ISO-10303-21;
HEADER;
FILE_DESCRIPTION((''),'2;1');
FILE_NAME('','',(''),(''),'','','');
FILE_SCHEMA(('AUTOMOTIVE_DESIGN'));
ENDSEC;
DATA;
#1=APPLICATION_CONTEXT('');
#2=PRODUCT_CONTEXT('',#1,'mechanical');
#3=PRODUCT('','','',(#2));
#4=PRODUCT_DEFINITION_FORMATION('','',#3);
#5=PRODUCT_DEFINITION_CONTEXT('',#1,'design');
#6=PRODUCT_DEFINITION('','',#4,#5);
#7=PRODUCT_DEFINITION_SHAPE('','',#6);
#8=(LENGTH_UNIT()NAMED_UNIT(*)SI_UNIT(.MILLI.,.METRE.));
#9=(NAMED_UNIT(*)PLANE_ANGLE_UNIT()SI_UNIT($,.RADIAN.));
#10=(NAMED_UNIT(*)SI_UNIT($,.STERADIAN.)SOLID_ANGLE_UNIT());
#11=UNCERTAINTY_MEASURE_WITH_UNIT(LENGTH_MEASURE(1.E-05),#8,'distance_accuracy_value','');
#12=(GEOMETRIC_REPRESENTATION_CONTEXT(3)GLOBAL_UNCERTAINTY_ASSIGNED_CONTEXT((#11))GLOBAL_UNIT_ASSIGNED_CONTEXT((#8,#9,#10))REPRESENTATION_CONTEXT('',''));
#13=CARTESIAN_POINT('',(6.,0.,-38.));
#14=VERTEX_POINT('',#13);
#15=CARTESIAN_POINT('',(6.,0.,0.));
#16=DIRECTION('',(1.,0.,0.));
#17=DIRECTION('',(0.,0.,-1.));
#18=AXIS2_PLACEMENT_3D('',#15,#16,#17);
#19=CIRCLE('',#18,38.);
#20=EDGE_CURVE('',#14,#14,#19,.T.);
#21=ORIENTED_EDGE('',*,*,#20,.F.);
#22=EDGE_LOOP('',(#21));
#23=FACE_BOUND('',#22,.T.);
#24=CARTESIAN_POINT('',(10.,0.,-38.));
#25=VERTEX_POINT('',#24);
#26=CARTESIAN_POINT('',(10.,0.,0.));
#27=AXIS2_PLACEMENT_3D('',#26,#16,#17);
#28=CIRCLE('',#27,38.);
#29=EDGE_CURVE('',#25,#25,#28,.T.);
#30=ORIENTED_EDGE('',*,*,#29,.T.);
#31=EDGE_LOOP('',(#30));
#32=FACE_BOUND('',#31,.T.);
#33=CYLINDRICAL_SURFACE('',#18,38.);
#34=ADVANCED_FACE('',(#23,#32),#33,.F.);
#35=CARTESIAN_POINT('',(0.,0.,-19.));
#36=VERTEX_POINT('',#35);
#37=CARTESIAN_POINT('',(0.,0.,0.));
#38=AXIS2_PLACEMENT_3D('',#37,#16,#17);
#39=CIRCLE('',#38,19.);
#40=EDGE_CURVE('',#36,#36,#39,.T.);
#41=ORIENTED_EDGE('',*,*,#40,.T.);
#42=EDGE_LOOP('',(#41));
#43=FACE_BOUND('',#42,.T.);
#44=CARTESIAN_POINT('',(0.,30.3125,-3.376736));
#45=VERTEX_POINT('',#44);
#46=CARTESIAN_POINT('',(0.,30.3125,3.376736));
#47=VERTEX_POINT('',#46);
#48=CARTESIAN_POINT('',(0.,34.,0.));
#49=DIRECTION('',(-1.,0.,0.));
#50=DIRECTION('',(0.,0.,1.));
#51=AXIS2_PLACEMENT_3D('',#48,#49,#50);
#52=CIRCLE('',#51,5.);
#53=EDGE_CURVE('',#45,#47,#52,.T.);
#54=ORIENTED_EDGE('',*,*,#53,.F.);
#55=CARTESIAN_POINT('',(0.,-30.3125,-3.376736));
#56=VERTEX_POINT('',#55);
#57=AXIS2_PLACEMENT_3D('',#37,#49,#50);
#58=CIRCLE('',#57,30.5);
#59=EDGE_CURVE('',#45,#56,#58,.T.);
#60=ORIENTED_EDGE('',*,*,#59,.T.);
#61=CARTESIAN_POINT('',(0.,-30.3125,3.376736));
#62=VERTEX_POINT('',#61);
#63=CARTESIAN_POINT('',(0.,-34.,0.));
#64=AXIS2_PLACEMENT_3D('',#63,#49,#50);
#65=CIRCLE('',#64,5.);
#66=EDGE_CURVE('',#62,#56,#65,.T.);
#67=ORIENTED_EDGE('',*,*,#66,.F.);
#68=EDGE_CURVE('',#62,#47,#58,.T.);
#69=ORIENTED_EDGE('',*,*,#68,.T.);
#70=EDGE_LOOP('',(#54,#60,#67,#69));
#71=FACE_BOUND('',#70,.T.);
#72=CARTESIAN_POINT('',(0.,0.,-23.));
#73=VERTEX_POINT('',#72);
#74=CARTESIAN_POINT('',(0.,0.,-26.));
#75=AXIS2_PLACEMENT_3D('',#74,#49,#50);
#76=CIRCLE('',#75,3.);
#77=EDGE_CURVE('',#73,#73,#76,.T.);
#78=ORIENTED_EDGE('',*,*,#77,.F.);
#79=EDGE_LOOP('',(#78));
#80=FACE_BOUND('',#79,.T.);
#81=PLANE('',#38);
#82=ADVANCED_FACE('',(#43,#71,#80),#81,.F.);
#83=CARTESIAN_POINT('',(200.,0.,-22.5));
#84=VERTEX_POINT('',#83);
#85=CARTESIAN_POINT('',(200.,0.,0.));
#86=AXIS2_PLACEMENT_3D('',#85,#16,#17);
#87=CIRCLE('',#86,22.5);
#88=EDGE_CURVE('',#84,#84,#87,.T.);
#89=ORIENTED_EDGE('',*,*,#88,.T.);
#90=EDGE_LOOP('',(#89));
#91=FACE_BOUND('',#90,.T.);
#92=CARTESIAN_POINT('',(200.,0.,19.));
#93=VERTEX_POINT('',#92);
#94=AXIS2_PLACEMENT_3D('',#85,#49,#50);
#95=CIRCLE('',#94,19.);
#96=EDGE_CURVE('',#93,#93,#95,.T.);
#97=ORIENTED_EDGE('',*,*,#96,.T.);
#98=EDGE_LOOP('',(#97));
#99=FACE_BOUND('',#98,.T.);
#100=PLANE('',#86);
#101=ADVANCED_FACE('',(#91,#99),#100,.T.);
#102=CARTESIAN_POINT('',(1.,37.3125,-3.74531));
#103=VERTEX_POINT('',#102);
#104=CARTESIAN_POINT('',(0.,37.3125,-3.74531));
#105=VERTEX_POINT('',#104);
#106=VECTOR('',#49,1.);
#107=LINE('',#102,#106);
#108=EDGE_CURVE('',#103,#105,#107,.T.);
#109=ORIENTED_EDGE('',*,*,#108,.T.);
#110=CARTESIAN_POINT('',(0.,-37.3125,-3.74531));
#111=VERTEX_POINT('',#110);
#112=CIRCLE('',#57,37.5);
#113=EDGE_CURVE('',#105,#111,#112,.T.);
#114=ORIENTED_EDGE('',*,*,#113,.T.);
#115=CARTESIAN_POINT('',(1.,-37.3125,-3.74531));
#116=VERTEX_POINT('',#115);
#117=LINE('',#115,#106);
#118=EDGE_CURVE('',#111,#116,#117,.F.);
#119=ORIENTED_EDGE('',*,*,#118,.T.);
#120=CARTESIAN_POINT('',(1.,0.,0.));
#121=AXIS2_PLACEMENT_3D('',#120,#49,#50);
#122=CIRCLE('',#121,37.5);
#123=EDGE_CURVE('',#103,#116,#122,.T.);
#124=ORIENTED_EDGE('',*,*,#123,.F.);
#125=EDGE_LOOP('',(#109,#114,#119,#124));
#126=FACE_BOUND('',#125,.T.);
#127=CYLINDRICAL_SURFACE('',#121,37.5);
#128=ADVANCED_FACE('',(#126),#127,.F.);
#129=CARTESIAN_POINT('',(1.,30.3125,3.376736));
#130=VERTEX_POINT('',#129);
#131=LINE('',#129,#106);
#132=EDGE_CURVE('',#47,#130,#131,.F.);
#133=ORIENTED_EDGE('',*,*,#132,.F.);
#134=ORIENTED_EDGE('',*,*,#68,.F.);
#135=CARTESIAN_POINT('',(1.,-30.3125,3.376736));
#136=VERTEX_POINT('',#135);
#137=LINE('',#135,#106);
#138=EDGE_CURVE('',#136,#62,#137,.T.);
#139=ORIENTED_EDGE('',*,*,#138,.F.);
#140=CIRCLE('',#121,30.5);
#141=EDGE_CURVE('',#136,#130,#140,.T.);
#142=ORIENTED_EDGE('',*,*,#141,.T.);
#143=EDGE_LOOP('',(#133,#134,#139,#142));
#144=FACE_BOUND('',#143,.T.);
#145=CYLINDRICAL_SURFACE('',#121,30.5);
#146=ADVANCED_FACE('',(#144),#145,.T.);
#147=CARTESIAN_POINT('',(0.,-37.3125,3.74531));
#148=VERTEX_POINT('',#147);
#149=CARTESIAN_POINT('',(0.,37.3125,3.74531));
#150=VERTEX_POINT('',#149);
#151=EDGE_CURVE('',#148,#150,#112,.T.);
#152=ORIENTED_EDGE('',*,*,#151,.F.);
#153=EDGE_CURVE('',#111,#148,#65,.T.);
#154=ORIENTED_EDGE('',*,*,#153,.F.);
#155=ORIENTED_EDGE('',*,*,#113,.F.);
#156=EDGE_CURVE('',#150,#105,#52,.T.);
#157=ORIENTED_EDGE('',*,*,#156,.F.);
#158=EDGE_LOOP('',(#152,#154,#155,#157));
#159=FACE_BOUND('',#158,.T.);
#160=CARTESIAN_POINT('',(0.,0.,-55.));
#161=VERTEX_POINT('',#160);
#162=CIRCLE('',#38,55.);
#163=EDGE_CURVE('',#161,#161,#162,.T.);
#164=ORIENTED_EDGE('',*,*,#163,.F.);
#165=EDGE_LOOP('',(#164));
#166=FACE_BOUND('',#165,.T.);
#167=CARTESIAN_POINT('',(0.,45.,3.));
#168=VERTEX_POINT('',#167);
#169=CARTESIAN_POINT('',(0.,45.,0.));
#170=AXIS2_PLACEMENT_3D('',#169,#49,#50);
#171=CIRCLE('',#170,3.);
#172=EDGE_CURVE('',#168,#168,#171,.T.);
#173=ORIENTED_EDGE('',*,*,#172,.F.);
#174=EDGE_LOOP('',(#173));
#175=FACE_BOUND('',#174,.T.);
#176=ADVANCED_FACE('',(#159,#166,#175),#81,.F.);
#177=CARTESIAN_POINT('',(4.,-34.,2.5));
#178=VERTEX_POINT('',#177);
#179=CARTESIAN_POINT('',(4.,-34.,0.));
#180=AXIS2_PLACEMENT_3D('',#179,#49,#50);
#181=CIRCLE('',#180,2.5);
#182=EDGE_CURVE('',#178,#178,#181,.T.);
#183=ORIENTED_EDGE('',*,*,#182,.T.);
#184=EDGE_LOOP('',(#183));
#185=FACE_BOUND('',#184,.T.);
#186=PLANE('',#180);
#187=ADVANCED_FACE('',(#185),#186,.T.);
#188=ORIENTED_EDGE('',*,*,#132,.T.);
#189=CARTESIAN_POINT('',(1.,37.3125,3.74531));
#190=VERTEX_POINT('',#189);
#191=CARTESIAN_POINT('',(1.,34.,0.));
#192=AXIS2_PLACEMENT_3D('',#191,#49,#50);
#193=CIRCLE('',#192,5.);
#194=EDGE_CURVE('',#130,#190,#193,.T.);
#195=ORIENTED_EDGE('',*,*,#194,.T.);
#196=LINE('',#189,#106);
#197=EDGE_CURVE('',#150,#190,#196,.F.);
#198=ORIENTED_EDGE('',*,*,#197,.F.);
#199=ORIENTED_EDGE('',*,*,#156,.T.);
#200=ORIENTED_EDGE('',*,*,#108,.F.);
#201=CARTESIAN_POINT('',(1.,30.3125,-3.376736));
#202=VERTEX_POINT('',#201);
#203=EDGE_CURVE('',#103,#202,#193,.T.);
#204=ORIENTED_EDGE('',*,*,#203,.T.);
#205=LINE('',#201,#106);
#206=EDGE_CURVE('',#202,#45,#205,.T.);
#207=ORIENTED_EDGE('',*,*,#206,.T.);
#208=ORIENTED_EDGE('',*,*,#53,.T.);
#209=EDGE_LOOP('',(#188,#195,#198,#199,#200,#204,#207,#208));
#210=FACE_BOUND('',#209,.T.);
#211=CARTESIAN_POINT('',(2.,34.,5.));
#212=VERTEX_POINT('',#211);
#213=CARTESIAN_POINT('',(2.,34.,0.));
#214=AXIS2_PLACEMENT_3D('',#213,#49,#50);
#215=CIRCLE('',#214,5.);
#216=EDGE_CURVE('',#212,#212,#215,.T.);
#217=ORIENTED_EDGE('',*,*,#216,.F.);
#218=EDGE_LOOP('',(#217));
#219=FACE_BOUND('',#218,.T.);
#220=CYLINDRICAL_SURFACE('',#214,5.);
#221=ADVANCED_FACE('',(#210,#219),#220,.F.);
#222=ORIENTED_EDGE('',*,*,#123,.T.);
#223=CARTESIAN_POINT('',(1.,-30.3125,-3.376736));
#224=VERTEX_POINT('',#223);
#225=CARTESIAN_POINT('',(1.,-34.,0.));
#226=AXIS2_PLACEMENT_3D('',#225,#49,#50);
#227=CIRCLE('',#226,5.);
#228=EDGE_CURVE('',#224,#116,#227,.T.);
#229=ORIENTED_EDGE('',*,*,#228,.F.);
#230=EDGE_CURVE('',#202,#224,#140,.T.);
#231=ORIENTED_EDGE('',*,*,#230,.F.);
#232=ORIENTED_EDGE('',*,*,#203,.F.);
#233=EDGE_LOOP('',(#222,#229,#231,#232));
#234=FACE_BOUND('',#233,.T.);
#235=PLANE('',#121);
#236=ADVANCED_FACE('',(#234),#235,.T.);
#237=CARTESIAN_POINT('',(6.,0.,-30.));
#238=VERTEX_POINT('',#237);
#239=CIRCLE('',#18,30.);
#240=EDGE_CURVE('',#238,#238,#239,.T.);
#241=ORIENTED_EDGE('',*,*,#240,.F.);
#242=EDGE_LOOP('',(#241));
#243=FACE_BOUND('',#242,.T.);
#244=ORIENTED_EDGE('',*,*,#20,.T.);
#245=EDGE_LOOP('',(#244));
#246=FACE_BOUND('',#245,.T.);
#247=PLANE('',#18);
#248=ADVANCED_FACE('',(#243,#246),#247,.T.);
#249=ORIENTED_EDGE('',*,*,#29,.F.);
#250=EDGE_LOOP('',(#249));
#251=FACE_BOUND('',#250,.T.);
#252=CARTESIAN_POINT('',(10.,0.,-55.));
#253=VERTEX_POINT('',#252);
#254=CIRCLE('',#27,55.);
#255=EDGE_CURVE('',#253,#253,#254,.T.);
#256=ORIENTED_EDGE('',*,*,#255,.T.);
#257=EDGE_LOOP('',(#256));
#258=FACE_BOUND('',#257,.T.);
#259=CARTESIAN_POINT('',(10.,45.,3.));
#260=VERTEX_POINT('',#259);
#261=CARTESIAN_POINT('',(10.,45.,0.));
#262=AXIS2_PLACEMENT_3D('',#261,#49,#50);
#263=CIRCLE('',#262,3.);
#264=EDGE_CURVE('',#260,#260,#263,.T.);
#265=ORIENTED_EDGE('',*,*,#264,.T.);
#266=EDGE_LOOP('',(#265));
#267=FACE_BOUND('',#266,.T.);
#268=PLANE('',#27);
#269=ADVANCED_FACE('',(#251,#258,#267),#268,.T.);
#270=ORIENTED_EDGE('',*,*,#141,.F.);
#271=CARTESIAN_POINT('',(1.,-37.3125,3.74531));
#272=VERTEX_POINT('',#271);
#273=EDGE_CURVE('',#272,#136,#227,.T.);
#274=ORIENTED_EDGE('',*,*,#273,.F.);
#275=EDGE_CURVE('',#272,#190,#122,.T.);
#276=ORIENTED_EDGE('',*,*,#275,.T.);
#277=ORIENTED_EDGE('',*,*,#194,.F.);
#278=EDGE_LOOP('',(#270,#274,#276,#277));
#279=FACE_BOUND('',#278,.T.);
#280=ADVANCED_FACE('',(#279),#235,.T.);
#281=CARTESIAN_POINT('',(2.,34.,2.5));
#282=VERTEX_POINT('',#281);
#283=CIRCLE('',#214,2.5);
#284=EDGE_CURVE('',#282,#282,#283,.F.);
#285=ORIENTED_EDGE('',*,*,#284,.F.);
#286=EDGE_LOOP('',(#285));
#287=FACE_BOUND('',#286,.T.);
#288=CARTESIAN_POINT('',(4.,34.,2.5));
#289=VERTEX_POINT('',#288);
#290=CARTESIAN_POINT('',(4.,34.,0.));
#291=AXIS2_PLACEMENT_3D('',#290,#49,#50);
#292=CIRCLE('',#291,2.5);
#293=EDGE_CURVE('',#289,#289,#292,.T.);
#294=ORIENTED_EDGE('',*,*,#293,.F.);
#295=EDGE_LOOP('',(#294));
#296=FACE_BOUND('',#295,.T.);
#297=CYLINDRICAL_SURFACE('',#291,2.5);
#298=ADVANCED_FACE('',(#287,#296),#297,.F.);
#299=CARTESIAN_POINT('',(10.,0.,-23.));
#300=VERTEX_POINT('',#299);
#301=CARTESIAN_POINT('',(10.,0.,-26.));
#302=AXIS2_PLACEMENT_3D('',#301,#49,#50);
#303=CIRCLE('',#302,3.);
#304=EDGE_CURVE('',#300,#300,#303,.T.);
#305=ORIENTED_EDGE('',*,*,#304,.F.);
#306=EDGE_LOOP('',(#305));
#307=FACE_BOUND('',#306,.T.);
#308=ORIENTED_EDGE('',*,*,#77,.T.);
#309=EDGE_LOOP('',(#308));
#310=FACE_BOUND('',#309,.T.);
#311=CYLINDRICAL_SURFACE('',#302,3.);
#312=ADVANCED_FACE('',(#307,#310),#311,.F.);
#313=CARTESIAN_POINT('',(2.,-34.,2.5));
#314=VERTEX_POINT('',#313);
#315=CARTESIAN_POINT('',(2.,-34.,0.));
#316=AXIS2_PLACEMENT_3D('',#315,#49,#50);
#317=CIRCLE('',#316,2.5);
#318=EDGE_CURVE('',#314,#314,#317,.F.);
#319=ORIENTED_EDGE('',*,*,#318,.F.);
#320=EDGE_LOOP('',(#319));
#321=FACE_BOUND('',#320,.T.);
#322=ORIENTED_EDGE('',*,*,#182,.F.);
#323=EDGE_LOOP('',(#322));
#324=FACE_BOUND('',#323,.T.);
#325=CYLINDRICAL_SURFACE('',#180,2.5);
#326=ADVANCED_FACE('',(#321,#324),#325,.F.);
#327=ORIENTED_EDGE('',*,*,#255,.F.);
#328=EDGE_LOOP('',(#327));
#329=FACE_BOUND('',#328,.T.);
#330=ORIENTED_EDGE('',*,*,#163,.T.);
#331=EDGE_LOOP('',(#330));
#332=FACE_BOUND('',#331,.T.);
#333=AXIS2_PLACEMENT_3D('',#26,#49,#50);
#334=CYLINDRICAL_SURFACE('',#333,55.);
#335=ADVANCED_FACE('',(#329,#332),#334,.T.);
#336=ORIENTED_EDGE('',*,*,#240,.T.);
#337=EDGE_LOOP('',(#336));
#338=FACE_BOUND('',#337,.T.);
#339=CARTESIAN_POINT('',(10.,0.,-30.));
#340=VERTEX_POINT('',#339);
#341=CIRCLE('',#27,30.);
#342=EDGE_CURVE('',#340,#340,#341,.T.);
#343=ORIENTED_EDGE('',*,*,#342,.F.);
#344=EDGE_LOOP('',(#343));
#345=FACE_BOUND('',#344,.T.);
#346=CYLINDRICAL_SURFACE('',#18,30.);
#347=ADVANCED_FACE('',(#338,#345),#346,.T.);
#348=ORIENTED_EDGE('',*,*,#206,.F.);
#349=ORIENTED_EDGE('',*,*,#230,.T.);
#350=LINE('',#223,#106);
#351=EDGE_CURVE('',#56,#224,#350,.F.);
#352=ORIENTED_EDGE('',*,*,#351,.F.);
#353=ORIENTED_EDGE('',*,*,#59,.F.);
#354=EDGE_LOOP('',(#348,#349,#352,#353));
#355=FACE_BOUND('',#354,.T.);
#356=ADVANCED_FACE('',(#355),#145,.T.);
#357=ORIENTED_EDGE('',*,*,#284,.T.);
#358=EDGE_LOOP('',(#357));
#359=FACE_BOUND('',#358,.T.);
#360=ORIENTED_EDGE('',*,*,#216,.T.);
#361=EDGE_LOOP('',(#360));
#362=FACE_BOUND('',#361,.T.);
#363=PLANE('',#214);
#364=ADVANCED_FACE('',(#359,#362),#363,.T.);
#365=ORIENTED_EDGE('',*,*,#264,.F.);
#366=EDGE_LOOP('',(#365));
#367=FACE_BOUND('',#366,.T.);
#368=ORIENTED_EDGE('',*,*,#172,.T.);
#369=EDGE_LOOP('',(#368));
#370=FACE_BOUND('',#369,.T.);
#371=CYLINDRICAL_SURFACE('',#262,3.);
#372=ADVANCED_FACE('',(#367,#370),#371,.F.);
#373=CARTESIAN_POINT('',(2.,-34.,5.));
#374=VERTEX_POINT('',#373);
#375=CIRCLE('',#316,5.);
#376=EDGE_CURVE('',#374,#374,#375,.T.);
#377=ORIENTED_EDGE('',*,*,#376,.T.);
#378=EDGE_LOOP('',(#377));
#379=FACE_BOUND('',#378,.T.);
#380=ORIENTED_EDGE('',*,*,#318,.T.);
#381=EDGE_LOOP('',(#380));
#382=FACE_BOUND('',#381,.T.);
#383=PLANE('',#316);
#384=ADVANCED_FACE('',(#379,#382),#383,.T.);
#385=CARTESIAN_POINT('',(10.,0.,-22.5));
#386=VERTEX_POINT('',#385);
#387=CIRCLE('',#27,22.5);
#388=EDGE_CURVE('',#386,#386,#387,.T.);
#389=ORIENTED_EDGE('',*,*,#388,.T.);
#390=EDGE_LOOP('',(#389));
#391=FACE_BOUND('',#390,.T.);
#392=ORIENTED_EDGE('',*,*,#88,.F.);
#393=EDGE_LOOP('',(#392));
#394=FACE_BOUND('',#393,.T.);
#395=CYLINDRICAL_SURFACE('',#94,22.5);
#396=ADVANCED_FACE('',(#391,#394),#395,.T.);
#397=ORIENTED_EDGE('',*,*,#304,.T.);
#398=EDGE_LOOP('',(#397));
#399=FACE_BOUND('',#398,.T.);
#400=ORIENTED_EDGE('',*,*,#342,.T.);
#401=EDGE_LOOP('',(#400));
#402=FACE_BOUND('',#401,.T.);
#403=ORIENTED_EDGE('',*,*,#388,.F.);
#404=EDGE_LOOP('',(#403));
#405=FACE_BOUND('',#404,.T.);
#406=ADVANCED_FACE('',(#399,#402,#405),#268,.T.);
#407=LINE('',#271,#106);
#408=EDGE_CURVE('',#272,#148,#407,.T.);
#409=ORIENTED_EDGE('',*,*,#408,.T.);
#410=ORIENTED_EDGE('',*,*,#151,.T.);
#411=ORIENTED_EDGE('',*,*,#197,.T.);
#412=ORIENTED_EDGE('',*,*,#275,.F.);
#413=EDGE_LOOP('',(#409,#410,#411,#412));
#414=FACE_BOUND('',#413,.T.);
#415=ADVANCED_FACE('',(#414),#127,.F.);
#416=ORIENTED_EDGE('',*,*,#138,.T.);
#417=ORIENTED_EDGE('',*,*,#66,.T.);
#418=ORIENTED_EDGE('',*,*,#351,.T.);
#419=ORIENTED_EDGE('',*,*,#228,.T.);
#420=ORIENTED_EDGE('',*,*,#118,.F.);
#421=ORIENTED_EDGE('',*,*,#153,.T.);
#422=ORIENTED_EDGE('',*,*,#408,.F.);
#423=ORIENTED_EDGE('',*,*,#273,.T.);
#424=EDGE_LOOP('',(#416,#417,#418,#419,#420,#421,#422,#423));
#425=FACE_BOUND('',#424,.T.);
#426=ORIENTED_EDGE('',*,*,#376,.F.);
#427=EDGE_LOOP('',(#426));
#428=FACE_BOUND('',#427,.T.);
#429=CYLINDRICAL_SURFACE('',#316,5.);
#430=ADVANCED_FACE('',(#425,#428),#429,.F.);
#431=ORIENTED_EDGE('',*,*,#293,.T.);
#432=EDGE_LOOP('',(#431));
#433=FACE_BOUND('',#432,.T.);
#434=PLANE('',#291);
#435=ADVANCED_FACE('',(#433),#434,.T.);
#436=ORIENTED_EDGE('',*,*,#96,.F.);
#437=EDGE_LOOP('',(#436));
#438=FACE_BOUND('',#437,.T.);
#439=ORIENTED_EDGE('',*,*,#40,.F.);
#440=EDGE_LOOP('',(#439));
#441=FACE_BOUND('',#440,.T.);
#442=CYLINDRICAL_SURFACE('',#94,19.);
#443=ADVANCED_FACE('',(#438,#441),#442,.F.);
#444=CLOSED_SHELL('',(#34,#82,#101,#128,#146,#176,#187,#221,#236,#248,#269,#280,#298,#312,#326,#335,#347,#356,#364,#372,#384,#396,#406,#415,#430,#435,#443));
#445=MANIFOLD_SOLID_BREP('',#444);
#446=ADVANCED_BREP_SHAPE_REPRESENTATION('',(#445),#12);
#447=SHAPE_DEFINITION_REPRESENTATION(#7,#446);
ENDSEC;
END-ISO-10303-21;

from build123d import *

# Parameters (mm, degrees)
SKETCH2_R               = 55
BOSS_EXTRUDE1_DEPTH     = 10
SKETCH3_R               = 22.5
BOSS_EXTRUDE2_DEPTH     = 190
SKETCH4_R               = 19
CUT_EXTRUDE1_DEPTH      = 1
CUT_EXTRUDE1_DEPTH_BACK = 201
SKETCH14_R              = 37.5
SKETCH14_R_2            = 30.5
CUT_EXTRUDE5_DEPTH      = 1
SKETCH15_R              = 38
SKETCH15_R_2            = 30
CUT_EXTRUDE6_DEPTH      = 4
SKETCH16_R              = 2.5
CUT_EXTRUDE7_DEPTH      = 4
SKETCH17_R              = 5
CUT_EXTRUDE8_DEPTH      = 2
SKETCH20_R              = 3
CUT_EXTRUDE9_DEPTH      = 10
SKETCH21_R              = 3
CUT_EXTRUDE10_DEPTH     = 10


with BuildPart() as part:
    # Sketch2 → Boss-Extrude1 (new body)
    with BuildSketch(Plane(origin=(0, 0, 0), x_dir=(0, 0, -1), z_dir=(1, 0, 0))):
        Circle(SKETCH2_R)
    extrude(amount=BOSS_EXTRUDE1_DEPTH)

    # Sketch3 → Boss-Extrude2 (add)
    with BuildSketch(Plane(origin=(10, 0, 0), x_dir=(0, 0, -1), z_dir=(1, 0, 0))):
        Circle(SKETCH3_R)
    extrude(amount=BOSS_EXTRUDE2_DEPTH)

    # Sketch4 → Cut-Extrude1 (cut, two sides)
    with BuildSketch(Plane.ZY) as cut_extrude1_sk:
        Circle(SKETCH4_R)
    extrude(amount=CUT_EXTRUDE1_DEPTH, mode=Mode.SUBTRACT)
    extrude(cut_extrude1_sk.sketch, amount=-CUT_EXTRUDE1_DEPTH_BACK, mode=Mode.SUBTRACT)

    # Sketch14 → Cut-Extrude5 (cut)
    with BuildSketch(Plane.ZY):
        Circle(SKETCH14_R)
        Circle(SKETCH14_R_2, mode=Mode.SUBTRACT)
    extrude(amount=-CUT_EXTRUDE5_DEPTH, mode=Mode.SUBTRACT)

    # Sketch15 → Cut-Extrude6 (cut)
    with BuildSketch(Plane(origin=(10, 0, 0), x_dir=(0, 0, -1), z_dir=(1, 0, 0))):
        Circle(SKETCH15_R)
        Circle(SKETCH15_R_2, mode=Mode.SUBTRACT)
    extrude(amount=-CUT_EXTRUDE6_DEPTH, mode=Mode.SUBTRACT)

    # Sketch16 → Cut-Extrude7 (cut)
    with BuildSketch(Plane.ZY):
        with Locations((0, 34)):
            Circle(SKETCH16_R)
        with Locations((0, -34)):
            Circle(SKETCH16_R)
    extrude(amount=-CUT_EXTRUDE7_DEPTH, mode=Mode.SUBTRACT)

    # Sketch17 → Cut-Extrude8 (cut)
    with BuildSketch(Plane.ZY):
        with Locations((0, -34)):
            Circle(SKETCH17_R)
        with Locations((0, 34)):
            Circle(SKETCH17_R)
    extrude(amount=-CUT_EXTRUDE8_DEPTH, mode=Mode.SUBTRACT)

    # Sketch20 → Cut-Extrude9 (cut)
    with BuildSketch(Plane.ZY):
        with Locations((-26, 0)):
            Circle(SKETCH20_R)
    extrude(amount=-CUT_EXTRUDE9_DEPTH, mode=Mode.SUBTRACT)

    # Sketch21 → Cut-Extrude10 (cut)
    with BuildSketch(Plane.ZY):
        with Locations((0, 45)):
            Circle(SKETCH21_R)
    extrude(amount=-CUT_EXTRUDE10_DEPTH, mode=Mode.SUBTRACT)


solid = part.part
